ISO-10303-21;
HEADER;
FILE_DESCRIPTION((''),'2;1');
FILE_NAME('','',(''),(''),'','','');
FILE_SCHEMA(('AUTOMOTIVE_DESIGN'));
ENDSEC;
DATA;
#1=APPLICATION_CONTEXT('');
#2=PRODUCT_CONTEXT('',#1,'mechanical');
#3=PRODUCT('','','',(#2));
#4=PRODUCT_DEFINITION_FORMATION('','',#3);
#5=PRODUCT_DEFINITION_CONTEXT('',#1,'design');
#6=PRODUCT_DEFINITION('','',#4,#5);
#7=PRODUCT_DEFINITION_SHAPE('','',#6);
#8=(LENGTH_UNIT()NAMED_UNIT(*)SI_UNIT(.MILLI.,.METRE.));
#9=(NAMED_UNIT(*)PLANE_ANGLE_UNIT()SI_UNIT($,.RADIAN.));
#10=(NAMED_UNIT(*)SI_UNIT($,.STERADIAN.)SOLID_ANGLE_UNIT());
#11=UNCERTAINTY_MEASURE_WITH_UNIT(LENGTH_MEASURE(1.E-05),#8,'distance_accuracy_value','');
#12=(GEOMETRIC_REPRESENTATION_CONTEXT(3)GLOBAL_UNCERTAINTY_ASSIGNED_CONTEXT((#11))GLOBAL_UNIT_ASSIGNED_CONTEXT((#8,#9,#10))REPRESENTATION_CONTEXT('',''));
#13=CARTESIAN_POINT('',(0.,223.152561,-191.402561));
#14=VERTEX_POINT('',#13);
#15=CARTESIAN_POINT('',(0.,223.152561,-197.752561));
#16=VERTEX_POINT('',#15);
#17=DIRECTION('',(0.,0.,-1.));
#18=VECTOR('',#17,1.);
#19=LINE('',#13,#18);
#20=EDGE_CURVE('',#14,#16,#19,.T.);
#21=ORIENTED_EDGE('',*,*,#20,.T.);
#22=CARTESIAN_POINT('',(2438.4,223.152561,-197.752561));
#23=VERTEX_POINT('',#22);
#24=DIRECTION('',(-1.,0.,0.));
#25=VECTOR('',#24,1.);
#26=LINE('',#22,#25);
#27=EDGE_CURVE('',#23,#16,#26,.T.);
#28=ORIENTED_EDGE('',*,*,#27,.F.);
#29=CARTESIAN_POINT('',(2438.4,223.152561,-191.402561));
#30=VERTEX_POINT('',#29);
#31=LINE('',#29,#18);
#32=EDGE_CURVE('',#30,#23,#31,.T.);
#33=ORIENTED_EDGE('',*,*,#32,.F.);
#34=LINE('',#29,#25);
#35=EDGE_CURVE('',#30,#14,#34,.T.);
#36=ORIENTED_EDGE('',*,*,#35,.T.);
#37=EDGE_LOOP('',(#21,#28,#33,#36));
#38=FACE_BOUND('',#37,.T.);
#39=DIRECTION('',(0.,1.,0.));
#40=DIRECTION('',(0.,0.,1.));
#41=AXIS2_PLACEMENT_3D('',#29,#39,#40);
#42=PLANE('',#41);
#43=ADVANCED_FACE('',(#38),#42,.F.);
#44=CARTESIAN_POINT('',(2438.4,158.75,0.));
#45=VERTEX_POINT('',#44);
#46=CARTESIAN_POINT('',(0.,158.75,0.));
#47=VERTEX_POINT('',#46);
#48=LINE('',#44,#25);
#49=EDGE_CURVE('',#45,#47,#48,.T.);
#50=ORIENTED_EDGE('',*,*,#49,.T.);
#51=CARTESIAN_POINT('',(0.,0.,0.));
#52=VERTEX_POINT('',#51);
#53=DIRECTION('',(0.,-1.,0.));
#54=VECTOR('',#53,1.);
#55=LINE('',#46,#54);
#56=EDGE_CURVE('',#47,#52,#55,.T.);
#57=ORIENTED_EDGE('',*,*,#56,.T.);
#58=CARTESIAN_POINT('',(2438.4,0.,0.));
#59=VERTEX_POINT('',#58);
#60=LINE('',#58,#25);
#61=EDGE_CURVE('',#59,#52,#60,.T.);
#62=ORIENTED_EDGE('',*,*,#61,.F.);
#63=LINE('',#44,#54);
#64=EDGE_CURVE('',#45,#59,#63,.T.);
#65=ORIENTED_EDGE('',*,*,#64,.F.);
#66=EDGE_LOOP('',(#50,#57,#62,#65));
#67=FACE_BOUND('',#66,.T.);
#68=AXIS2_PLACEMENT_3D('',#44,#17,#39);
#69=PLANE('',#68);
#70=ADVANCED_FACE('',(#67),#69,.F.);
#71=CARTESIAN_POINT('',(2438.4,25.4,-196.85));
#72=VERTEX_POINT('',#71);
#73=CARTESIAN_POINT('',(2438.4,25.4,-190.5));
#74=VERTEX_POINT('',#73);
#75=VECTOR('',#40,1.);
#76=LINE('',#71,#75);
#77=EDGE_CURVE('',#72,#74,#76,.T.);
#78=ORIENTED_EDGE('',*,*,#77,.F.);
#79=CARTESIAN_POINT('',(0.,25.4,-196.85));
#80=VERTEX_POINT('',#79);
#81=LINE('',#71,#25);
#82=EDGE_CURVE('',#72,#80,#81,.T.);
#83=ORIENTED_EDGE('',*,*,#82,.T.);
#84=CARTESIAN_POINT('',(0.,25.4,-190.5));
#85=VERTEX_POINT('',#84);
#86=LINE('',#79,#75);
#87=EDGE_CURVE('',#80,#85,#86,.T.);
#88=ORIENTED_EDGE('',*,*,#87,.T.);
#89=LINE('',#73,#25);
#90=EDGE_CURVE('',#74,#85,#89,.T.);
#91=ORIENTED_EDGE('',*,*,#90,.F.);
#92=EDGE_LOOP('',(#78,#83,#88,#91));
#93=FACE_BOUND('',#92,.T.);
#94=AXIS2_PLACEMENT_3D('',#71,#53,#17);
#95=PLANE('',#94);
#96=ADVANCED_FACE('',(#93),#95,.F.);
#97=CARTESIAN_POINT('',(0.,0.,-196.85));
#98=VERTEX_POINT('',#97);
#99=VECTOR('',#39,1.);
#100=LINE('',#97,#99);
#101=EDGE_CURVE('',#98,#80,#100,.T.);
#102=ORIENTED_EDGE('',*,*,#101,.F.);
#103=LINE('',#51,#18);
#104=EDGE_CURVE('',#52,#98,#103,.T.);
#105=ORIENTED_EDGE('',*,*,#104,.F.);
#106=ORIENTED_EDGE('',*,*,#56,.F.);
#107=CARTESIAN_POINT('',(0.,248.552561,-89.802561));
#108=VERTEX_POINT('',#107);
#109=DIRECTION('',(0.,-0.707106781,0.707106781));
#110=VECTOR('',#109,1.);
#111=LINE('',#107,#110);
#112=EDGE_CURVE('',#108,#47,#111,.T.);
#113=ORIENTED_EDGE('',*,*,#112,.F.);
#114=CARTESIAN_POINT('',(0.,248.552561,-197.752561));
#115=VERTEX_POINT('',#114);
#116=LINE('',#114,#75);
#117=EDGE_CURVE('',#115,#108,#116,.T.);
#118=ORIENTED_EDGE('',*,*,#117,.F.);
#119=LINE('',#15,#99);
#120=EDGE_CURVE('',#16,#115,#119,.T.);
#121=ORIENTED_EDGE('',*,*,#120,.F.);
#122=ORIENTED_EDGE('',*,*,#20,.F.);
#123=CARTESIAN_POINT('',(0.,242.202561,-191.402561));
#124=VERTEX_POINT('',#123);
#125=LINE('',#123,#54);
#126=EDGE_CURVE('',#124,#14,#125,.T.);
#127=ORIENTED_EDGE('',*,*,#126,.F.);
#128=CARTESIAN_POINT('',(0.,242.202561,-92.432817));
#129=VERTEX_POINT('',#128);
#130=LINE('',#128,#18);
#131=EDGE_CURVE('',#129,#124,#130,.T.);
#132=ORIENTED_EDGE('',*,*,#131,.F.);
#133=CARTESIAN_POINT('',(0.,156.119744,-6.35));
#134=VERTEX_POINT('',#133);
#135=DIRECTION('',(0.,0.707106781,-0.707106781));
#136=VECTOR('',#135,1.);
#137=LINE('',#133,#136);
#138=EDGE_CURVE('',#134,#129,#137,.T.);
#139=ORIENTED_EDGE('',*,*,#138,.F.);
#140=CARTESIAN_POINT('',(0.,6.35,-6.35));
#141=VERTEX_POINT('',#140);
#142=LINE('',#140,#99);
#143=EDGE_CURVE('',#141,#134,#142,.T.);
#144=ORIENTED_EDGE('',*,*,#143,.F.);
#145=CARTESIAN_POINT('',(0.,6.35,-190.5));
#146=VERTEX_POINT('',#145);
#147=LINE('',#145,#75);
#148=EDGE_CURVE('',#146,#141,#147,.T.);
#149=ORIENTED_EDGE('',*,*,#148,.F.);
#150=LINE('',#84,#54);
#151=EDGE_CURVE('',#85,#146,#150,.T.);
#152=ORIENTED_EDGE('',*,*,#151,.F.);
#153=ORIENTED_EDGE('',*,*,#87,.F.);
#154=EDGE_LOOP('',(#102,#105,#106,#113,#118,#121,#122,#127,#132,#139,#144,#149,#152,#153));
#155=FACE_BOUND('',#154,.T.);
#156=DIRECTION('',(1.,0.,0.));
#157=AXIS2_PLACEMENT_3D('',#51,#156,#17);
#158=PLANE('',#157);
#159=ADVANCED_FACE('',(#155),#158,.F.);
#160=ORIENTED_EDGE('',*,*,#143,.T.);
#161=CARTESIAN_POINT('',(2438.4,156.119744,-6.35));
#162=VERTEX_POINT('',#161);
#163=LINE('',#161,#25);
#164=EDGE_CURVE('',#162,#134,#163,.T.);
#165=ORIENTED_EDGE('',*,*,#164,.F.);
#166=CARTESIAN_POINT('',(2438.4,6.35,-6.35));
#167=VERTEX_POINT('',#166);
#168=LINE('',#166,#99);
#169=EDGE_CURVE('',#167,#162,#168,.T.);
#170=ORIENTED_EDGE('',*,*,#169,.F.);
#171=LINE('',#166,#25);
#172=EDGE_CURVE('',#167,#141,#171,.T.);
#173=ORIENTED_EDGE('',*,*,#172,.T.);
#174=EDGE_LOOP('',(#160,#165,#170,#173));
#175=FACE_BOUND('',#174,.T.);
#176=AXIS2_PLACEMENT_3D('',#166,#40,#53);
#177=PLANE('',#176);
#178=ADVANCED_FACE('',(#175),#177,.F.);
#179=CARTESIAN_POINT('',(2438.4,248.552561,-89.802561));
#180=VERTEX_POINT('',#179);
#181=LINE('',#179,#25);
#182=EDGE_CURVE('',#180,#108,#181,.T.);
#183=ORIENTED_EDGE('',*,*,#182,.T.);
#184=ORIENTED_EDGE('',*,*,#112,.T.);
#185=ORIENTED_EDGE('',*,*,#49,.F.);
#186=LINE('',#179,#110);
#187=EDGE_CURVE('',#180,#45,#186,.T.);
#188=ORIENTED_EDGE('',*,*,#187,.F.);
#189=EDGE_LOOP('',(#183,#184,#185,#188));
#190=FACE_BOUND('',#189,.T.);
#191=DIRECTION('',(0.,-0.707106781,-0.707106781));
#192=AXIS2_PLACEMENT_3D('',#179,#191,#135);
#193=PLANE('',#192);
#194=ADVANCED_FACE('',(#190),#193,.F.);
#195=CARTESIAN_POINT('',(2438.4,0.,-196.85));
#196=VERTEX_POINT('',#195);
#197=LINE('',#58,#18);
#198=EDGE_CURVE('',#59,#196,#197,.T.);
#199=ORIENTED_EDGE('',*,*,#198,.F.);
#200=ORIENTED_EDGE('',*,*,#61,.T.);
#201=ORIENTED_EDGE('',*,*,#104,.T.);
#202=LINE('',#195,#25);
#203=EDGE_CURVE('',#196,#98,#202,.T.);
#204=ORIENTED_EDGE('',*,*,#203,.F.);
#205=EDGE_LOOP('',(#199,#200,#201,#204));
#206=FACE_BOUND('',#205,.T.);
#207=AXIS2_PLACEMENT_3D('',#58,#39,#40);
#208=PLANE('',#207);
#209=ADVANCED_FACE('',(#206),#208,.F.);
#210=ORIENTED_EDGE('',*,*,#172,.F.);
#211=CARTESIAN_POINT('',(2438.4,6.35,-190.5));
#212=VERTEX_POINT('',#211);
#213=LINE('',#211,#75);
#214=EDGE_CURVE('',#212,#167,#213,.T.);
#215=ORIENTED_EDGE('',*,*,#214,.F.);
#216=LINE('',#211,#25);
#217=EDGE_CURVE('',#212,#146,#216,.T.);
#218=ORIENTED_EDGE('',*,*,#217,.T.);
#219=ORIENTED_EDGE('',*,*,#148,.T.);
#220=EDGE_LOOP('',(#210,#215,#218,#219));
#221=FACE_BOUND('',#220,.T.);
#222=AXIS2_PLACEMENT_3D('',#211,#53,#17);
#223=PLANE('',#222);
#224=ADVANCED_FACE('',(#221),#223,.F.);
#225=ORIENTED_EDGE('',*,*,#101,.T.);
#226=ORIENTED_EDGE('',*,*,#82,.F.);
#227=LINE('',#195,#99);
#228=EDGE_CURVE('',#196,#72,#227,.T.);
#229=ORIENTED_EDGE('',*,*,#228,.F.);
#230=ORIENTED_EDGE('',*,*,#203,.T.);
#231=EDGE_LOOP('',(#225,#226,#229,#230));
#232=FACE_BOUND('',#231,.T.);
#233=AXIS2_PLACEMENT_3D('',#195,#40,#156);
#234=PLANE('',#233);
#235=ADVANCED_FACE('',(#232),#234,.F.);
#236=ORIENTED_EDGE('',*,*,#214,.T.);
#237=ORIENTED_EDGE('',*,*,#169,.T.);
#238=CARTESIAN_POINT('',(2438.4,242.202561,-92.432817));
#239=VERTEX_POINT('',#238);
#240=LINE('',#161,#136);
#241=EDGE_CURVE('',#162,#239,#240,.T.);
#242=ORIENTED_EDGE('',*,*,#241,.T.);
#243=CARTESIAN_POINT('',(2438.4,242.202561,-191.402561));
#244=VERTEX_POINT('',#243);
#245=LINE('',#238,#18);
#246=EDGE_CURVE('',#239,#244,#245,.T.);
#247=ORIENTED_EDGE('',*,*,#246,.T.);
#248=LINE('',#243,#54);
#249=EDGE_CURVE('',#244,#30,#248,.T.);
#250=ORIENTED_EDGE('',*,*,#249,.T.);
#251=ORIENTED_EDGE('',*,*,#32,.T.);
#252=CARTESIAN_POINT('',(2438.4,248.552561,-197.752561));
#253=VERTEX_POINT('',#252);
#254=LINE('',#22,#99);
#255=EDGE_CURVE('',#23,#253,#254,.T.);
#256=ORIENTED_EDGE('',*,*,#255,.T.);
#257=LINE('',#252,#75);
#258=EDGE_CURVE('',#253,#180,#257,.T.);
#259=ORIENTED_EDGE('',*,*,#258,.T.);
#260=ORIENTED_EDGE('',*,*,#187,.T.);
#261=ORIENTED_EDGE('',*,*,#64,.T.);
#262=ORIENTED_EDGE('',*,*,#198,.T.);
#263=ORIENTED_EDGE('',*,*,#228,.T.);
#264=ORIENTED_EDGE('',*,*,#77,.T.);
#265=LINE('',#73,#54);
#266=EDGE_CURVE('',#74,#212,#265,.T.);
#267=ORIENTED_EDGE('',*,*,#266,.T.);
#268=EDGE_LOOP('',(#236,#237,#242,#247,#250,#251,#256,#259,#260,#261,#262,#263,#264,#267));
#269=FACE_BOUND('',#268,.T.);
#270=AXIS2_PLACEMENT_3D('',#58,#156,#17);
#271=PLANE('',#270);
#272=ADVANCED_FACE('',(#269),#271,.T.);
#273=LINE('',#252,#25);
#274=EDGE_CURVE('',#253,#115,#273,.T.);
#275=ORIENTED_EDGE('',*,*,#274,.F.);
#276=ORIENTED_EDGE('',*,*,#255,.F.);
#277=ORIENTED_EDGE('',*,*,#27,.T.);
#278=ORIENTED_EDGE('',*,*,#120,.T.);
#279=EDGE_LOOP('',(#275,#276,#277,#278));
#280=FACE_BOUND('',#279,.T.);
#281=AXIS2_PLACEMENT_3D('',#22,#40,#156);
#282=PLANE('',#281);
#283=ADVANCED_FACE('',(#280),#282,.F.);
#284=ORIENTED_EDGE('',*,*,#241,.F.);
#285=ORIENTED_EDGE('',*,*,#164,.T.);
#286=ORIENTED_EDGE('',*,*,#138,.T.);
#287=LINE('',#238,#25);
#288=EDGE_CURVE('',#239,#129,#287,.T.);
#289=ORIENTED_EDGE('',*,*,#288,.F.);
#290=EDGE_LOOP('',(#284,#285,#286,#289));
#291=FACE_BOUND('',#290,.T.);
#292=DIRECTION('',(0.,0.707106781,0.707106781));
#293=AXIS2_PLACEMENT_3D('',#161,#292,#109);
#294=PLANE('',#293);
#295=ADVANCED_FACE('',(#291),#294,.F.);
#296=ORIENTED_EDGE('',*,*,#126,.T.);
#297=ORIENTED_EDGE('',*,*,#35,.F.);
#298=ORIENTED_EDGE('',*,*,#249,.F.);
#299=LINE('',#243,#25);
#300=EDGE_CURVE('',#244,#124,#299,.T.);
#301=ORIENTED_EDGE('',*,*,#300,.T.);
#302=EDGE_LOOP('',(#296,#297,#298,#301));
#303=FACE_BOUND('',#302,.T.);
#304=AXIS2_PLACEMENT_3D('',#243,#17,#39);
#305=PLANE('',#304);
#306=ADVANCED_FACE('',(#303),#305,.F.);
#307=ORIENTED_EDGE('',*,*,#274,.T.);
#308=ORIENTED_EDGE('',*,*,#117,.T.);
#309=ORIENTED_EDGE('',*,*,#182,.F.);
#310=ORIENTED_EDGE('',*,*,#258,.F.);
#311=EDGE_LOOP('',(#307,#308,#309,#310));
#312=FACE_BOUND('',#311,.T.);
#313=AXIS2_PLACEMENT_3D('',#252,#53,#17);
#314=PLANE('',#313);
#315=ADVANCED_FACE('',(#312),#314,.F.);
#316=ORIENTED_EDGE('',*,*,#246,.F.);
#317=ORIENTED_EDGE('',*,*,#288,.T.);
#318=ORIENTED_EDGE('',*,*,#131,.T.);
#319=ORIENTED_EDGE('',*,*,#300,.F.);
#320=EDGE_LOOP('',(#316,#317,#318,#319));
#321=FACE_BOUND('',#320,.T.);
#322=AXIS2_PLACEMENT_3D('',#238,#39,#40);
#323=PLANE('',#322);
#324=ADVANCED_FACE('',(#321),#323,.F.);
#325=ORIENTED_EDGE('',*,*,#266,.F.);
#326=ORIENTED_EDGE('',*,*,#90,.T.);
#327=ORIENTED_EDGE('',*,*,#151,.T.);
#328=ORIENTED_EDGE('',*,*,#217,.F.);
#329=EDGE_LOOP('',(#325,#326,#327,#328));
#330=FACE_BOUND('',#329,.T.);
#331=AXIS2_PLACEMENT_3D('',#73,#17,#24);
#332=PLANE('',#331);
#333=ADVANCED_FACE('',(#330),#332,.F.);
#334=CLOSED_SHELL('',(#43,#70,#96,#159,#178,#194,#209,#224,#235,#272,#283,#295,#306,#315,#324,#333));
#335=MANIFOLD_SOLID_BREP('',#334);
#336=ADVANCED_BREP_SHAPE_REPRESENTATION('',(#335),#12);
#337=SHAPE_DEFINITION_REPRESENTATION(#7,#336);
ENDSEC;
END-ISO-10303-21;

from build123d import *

# Parameters (mm, degrees)
SALIENTE_EXTRUIR1_DEPTH = 2438.4


with BuildPart() as part:
    # Croquis1 → Saliente-Extruir1 (new body)
    with BuildSketch(Plane(origin=(0, 0, 0), x_dir=(0, 0, -1), z_dir=(1, 0, 0))):
        Polygon((0, 0), (196.85, 0), (196.85, 25.4), (190.5, 25.4), (190.5, 6.35), (6.35, 6.35), (6.35, 156.119743879), (92.432817332, 242.202561211), (191.402561211, 242.202561211), (191.402561211, 223.152561211), (197.752561211, 223.152561211), (197.752561211, 248.552561211), (89.802561211, 248.552561211), (0, 158.75), align=None)
    extrude(amount=SALIENTE_EXTRUIR1_DEPTH)


solid = part.part
